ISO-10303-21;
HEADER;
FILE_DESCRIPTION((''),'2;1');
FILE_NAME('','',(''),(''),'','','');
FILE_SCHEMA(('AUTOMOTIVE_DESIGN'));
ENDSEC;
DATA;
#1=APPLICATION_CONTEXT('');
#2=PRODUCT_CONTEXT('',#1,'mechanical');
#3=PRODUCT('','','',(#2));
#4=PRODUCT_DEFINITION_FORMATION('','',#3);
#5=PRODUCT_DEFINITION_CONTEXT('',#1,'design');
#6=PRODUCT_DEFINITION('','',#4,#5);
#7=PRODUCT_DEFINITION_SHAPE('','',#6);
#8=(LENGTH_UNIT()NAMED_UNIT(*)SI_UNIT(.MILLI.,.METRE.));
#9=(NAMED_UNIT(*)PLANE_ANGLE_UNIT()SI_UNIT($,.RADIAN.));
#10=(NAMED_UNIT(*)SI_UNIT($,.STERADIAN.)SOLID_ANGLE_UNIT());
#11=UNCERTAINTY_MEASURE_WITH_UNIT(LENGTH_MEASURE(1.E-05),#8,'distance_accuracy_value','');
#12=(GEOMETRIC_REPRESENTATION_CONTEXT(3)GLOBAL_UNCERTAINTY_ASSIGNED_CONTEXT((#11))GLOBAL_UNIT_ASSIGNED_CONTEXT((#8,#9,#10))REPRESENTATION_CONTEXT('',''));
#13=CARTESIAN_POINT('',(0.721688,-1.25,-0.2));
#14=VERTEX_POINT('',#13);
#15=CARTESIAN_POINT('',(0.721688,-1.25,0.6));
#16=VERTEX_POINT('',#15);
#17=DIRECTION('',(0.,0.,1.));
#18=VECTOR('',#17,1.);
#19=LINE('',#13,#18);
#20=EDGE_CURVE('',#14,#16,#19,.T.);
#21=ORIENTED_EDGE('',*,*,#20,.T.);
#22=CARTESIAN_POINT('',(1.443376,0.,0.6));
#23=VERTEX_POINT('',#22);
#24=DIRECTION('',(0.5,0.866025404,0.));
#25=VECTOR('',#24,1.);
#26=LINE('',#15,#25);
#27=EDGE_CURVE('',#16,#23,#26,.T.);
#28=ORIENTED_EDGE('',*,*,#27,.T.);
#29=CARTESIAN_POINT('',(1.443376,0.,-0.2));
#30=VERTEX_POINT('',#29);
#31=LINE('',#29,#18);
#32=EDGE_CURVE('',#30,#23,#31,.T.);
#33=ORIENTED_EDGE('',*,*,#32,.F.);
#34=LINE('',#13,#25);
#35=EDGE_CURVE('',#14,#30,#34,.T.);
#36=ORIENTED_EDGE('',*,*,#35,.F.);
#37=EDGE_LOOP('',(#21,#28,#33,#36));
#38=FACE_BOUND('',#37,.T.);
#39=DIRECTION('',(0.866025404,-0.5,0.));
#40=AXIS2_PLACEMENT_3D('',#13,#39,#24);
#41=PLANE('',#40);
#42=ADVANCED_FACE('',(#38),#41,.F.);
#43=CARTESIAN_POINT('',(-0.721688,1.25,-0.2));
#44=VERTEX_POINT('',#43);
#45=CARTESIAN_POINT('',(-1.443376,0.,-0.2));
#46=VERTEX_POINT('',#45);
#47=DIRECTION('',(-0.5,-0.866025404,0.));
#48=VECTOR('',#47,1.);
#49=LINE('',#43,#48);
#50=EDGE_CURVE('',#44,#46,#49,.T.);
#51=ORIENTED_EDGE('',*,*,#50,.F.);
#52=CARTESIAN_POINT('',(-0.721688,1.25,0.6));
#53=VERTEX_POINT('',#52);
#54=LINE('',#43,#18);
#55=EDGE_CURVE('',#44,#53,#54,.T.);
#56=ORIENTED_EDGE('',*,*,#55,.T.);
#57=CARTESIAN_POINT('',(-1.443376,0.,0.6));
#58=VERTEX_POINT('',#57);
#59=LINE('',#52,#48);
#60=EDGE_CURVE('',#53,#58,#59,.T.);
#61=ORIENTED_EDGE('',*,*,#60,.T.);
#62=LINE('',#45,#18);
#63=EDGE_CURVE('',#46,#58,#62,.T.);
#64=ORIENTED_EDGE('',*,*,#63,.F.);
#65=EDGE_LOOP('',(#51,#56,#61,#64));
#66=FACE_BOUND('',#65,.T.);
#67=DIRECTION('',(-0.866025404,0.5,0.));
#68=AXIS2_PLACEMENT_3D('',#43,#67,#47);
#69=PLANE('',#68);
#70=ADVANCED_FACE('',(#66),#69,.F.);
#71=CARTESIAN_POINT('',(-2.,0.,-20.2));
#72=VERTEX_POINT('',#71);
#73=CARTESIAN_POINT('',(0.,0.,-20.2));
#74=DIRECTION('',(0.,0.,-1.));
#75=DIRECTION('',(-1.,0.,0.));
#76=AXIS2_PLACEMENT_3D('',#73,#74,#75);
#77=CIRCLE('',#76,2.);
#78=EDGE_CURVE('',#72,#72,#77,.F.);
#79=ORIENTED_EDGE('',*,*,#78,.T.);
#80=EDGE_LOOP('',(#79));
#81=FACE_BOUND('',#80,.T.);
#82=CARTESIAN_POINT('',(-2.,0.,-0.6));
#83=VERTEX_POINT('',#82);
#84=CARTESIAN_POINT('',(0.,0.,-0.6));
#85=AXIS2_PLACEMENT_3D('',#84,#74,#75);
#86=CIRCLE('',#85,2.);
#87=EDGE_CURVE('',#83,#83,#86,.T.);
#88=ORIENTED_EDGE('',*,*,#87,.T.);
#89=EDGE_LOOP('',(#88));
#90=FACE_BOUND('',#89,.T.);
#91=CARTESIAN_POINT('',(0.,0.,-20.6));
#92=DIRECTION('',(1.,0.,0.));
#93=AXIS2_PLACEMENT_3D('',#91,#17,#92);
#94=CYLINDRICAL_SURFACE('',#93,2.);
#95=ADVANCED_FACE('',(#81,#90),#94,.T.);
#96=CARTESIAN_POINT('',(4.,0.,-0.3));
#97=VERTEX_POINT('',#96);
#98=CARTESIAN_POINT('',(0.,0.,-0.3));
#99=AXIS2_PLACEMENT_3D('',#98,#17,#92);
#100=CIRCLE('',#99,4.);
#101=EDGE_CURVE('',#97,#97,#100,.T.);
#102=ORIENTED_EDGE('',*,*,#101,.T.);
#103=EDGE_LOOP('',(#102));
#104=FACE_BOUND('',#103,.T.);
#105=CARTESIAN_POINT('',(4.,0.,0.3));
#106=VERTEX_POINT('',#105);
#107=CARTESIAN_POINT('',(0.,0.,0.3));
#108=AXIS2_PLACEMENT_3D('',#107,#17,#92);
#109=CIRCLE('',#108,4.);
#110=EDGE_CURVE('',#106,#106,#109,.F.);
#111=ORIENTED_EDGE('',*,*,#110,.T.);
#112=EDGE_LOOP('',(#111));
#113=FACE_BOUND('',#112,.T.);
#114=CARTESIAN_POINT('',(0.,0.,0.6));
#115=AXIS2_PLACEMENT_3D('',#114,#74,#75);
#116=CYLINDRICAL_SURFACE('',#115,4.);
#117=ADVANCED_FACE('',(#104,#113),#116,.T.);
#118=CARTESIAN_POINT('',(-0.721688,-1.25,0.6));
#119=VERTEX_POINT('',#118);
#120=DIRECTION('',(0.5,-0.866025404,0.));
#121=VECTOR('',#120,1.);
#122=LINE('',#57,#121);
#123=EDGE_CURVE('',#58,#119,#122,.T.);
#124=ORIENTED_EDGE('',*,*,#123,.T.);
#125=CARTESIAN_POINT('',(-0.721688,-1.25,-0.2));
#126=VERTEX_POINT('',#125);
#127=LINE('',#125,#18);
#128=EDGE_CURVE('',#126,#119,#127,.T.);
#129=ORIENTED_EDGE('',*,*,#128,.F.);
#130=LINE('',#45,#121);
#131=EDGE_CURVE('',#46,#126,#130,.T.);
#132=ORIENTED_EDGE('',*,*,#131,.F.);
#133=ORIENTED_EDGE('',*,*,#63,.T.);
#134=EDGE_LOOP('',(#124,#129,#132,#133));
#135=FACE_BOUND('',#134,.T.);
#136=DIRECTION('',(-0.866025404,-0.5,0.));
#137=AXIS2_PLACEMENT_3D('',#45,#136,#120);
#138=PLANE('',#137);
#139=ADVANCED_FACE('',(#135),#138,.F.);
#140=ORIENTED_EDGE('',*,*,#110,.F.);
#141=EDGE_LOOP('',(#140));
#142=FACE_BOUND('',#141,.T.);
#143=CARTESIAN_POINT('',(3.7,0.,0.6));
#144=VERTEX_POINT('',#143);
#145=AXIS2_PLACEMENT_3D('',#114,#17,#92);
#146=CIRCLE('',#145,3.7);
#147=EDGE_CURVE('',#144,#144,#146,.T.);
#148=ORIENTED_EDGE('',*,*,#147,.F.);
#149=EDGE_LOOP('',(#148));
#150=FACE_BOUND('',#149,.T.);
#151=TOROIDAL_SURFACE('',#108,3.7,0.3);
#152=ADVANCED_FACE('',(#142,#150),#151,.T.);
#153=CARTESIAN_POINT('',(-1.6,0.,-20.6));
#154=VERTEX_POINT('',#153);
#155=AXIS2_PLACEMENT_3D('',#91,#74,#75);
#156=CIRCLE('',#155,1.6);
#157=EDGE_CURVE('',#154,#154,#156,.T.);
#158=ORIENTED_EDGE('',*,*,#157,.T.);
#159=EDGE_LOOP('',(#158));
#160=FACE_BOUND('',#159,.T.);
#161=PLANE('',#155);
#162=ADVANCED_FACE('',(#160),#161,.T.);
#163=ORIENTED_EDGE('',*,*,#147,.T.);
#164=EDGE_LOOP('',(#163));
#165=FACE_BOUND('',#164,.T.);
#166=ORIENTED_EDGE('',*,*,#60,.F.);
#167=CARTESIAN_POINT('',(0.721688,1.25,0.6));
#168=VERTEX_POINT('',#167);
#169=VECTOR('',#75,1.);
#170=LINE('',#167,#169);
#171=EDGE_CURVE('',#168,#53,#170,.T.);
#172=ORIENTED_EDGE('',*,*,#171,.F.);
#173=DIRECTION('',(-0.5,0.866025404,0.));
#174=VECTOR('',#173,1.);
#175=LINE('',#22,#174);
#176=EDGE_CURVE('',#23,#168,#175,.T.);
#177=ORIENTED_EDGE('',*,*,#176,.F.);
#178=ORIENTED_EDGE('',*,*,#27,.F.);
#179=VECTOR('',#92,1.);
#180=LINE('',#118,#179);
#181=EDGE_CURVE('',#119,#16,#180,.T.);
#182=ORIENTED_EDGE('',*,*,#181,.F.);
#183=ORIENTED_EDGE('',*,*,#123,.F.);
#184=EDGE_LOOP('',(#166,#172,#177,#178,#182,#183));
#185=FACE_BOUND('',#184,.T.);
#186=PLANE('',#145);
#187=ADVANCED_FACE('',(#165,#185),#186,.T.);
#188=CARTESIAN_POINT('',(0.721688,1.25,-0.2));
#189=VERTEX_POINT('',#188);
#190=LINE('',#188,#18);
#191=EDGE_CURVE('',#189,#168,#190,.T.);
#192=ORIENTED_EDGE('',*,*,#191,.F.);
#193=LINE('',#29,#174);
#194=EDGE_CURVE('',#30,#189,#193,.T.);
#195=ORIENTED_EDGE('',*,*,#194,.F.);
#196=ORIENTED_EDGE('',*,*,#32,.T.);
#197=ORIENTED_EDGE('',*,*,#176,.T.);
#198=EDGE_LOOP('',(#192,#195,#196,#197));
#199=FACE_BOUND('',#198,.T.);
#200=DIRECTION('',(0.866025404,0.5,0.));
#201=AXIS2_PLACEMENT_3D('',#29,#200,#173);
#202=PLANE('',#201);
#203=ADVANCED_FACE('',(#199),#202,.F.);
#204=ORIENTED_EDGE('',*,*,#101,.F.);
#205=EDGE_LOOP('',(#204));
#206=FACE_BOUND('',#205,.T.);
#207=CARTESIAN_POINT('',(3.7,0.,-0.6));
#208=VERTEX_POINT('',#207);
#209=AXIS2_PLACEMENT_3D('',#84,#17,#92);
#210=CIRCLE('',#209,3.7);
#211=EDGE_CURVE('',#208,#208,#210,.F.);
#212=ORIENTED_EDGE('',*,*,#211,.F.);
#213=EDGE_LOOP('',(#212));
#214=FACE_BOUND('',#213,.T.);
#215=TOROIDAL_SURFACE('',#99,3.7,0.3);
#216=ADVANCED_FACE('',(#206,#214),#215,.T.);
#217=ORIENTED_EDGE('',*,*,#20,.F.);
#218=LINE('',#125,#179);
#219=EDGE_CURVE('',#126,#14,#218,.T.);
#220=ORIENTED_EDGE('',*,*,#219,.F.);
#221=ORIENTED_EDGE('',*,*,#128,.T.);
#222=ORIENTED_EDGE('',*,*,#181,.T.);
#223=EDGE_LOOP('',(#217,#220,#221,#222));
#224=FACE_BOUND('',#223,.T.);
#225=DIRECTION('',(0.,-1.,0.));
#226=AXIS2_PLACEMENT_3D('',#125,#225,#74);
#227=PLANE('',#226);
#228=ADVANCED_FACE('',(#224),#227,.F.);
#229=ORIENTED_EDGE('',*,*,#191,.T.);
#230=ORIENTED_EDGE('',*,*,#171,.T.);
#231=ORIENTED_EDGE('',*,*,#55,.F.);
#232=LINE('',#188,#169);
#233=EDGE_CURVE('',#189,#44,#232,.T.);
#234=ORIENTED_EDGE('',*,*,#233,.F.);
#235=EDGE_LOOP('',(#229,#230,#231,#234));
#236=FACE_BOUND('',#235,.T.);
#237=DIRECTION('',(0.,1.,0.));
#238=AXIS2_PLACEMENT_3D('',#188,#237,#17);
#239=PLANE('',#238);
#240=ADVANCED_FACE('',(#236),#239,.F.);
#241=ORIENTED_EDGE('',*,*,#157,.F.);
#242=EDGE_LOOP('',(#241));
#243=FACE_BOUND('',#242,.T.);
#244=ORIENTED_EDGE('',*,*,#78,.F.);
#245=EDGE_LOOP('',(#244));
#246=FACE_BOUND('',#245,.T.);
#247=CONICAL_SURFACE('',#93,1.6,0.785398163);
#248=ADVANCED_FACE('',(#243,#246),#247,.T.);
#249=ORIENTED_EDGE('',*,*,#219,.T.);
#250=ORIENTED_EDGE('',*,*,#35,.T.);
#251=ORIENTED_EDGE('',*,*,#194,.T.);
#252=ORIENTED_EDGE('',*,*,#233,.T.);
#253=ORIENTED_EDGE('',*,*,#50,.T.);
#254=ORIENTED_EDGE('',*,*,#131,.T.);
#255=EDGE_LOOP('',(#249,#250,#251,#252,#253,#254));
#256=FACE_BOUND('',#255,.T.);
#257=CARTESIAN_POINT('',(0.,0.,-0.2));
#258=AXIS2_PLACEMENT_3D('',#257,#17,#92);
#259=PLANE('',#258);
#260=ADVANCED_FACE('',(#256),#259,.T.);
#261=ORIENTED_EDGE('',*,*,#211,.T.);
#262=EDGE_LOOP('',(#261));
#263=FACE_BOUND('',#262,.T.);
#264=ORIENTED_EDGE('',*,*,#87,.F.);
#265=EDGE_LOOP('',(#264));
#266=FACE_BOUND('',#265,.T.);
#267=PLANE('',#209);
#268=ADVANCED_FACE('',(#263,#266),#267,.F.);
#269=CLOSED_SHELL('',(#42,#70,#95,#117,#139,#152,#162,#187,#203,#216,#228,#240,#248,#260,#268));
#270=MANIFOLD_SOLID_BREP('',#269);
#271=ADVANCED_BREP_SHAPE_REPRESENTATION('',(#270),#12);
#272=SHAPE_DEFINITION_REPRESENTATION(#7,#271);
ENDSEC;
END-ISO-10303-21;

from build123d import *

# Parameters (mm, degrees)
SKETCH_1_R          = 4
EXTRUDE_1_DEPTH     = 0.6
SKETCH_2_R          = 2
EXTRUDE_2_DEPTH     = 20
CHAMFER_1_SIZE      = 0.4
CUT_EXTRUDE_1_DEPTH = 0.8
FILLET_2_R          = 0.3


with BuildPart() as part:
    # 草图1 → 凸台-拉伸1 (new, symmetric)
    with BuildSketch(Plane.XY):
        Circle(SKETCH_1_R)
    extrude(amount=EXTRUDE_1_DEPTH, both=True)

    # 草图2 → 凸台-拉伸2 (add)
    with BuildSketch(Plane(origin=(0, 0, -0.6), x_dir=(-1, 0, 0), z_dir=(0, 0, -1))):
        Circle(SKETCH_2_R)
    extrude(amount=EXTRUDE_2_DEPTH)

    # 倒角1
    chamfer_1_edges = [part.edges().sort_by_distance(p)[0] for p in [
        (2, 0, -20.6),
    ]]
    chamfer(chamfer_1_edges, length=CHAMFER_1_SIZE)

    # 草图3 → 切除-拉伸1 (cut)
    with BuildSketch(Plane.XY.offset(0.6)):
        Polygon((1.443375673, 0), (0.721687836, 1.25), (-0.721687836, 1.25), (-1.443375673, 0), (-0.721687836, -1.25), (0.721687836, -1.25), align=None)
    extrude(amount=-CUT_EXTRUDE_1_DEPTH, mode=Mode.SUBTRACT)

    # 圆角2
    fillet_2_edges = [part.edges().sort_by_distance(p)[0] for p in [
        (-4, 0, -0.6),
        (-4, 0, 0.6),
    ]]
    fillet(fillet_2_edges, radius=FILLET_2_R)


solid = part.part
